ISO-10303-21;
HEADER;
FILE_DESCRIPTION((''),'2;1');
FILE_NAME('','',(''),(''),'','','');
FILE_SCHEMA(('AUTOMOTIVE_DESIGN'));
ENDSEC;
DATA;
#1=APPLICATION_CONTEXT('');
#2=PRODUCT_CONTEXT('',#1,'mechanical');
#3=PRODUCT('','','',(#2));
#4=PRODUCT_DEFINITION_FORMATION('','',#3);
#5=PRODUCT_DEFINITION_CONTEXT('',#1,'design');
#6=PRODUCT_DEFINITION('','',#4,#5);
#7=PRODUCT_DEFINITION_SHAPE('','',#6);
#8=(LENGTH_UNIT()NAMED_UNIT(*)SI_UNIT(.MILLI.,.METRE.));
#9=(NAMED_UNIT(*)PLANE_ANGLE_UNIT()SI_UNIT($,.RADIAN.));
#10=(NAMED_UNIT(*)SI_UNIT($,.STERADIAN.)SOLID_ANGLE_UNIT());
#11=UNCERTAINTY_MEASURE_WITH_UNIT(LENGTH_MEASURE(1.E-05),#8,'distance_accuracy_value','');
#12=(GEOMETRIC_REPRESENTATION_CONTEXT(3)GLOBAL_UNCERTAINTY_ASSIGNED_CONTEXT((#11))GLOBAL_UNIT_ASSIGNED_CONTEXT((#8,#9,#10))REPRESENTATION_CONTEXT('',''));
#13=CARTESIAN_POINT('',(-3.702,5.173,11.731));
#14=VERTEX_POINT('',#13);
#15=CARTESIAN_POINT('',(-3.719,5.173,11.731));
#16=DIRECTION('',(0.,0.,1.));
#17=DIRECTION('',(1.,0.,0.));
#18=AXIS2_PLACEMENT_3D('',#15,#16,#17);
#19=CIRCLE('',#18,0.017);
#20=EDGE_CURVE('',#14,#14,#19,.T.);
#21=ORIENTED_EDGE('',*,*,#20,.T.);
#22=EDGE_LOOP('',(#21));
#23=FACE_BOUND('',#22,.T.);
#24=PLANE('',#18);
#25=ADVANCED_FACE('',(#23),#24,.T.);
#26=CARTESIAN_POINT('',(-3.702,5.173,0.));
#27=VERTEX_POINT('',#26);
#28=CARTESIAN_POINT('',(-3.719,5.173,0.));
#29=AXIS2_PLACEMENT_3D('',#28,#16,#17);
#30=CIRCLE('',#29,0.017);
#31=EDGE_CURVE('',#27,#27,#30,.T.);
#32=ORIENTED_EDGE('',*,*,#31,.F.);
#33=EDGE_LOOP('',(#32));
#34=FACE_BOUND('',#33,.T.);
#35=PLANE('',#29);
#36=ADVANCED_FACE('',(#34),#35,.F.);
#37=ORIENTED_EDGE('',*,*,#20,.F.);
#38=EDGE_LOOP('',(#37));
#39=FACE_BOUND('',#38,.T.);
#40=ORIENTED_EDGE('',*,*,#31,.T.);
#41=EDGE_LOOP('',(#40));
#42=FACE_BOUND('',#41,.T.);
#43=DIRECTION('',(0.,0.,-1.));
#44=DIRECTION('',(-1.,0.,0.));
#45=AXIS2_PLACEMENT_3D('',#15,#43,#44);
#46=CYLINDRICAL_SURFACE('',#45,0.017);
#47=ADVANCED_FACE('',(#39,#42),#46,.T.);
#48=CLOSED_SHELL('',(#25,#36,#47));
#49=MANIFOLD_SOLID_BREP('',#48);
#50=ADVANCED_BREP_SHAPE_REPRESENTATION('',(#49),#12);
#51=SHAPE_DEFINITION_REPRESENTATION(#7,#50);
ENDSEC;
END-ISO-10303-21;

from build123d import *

# Parameters (mm, degrees)
CURVESKETCH_R   = 0.017
CURVEBOSS_DEPTH = 11.731


with BuildPart() as part:
    # CurveSketch → CurveBoss (new body)
    with BuildSketch(Plane.XY):
        with Locations((-3.719, 5.173)):
            Circle(CURVESKETCH_R)
    extrude(amount=CURVEBOSS_DEPTH)


solid = part.part
